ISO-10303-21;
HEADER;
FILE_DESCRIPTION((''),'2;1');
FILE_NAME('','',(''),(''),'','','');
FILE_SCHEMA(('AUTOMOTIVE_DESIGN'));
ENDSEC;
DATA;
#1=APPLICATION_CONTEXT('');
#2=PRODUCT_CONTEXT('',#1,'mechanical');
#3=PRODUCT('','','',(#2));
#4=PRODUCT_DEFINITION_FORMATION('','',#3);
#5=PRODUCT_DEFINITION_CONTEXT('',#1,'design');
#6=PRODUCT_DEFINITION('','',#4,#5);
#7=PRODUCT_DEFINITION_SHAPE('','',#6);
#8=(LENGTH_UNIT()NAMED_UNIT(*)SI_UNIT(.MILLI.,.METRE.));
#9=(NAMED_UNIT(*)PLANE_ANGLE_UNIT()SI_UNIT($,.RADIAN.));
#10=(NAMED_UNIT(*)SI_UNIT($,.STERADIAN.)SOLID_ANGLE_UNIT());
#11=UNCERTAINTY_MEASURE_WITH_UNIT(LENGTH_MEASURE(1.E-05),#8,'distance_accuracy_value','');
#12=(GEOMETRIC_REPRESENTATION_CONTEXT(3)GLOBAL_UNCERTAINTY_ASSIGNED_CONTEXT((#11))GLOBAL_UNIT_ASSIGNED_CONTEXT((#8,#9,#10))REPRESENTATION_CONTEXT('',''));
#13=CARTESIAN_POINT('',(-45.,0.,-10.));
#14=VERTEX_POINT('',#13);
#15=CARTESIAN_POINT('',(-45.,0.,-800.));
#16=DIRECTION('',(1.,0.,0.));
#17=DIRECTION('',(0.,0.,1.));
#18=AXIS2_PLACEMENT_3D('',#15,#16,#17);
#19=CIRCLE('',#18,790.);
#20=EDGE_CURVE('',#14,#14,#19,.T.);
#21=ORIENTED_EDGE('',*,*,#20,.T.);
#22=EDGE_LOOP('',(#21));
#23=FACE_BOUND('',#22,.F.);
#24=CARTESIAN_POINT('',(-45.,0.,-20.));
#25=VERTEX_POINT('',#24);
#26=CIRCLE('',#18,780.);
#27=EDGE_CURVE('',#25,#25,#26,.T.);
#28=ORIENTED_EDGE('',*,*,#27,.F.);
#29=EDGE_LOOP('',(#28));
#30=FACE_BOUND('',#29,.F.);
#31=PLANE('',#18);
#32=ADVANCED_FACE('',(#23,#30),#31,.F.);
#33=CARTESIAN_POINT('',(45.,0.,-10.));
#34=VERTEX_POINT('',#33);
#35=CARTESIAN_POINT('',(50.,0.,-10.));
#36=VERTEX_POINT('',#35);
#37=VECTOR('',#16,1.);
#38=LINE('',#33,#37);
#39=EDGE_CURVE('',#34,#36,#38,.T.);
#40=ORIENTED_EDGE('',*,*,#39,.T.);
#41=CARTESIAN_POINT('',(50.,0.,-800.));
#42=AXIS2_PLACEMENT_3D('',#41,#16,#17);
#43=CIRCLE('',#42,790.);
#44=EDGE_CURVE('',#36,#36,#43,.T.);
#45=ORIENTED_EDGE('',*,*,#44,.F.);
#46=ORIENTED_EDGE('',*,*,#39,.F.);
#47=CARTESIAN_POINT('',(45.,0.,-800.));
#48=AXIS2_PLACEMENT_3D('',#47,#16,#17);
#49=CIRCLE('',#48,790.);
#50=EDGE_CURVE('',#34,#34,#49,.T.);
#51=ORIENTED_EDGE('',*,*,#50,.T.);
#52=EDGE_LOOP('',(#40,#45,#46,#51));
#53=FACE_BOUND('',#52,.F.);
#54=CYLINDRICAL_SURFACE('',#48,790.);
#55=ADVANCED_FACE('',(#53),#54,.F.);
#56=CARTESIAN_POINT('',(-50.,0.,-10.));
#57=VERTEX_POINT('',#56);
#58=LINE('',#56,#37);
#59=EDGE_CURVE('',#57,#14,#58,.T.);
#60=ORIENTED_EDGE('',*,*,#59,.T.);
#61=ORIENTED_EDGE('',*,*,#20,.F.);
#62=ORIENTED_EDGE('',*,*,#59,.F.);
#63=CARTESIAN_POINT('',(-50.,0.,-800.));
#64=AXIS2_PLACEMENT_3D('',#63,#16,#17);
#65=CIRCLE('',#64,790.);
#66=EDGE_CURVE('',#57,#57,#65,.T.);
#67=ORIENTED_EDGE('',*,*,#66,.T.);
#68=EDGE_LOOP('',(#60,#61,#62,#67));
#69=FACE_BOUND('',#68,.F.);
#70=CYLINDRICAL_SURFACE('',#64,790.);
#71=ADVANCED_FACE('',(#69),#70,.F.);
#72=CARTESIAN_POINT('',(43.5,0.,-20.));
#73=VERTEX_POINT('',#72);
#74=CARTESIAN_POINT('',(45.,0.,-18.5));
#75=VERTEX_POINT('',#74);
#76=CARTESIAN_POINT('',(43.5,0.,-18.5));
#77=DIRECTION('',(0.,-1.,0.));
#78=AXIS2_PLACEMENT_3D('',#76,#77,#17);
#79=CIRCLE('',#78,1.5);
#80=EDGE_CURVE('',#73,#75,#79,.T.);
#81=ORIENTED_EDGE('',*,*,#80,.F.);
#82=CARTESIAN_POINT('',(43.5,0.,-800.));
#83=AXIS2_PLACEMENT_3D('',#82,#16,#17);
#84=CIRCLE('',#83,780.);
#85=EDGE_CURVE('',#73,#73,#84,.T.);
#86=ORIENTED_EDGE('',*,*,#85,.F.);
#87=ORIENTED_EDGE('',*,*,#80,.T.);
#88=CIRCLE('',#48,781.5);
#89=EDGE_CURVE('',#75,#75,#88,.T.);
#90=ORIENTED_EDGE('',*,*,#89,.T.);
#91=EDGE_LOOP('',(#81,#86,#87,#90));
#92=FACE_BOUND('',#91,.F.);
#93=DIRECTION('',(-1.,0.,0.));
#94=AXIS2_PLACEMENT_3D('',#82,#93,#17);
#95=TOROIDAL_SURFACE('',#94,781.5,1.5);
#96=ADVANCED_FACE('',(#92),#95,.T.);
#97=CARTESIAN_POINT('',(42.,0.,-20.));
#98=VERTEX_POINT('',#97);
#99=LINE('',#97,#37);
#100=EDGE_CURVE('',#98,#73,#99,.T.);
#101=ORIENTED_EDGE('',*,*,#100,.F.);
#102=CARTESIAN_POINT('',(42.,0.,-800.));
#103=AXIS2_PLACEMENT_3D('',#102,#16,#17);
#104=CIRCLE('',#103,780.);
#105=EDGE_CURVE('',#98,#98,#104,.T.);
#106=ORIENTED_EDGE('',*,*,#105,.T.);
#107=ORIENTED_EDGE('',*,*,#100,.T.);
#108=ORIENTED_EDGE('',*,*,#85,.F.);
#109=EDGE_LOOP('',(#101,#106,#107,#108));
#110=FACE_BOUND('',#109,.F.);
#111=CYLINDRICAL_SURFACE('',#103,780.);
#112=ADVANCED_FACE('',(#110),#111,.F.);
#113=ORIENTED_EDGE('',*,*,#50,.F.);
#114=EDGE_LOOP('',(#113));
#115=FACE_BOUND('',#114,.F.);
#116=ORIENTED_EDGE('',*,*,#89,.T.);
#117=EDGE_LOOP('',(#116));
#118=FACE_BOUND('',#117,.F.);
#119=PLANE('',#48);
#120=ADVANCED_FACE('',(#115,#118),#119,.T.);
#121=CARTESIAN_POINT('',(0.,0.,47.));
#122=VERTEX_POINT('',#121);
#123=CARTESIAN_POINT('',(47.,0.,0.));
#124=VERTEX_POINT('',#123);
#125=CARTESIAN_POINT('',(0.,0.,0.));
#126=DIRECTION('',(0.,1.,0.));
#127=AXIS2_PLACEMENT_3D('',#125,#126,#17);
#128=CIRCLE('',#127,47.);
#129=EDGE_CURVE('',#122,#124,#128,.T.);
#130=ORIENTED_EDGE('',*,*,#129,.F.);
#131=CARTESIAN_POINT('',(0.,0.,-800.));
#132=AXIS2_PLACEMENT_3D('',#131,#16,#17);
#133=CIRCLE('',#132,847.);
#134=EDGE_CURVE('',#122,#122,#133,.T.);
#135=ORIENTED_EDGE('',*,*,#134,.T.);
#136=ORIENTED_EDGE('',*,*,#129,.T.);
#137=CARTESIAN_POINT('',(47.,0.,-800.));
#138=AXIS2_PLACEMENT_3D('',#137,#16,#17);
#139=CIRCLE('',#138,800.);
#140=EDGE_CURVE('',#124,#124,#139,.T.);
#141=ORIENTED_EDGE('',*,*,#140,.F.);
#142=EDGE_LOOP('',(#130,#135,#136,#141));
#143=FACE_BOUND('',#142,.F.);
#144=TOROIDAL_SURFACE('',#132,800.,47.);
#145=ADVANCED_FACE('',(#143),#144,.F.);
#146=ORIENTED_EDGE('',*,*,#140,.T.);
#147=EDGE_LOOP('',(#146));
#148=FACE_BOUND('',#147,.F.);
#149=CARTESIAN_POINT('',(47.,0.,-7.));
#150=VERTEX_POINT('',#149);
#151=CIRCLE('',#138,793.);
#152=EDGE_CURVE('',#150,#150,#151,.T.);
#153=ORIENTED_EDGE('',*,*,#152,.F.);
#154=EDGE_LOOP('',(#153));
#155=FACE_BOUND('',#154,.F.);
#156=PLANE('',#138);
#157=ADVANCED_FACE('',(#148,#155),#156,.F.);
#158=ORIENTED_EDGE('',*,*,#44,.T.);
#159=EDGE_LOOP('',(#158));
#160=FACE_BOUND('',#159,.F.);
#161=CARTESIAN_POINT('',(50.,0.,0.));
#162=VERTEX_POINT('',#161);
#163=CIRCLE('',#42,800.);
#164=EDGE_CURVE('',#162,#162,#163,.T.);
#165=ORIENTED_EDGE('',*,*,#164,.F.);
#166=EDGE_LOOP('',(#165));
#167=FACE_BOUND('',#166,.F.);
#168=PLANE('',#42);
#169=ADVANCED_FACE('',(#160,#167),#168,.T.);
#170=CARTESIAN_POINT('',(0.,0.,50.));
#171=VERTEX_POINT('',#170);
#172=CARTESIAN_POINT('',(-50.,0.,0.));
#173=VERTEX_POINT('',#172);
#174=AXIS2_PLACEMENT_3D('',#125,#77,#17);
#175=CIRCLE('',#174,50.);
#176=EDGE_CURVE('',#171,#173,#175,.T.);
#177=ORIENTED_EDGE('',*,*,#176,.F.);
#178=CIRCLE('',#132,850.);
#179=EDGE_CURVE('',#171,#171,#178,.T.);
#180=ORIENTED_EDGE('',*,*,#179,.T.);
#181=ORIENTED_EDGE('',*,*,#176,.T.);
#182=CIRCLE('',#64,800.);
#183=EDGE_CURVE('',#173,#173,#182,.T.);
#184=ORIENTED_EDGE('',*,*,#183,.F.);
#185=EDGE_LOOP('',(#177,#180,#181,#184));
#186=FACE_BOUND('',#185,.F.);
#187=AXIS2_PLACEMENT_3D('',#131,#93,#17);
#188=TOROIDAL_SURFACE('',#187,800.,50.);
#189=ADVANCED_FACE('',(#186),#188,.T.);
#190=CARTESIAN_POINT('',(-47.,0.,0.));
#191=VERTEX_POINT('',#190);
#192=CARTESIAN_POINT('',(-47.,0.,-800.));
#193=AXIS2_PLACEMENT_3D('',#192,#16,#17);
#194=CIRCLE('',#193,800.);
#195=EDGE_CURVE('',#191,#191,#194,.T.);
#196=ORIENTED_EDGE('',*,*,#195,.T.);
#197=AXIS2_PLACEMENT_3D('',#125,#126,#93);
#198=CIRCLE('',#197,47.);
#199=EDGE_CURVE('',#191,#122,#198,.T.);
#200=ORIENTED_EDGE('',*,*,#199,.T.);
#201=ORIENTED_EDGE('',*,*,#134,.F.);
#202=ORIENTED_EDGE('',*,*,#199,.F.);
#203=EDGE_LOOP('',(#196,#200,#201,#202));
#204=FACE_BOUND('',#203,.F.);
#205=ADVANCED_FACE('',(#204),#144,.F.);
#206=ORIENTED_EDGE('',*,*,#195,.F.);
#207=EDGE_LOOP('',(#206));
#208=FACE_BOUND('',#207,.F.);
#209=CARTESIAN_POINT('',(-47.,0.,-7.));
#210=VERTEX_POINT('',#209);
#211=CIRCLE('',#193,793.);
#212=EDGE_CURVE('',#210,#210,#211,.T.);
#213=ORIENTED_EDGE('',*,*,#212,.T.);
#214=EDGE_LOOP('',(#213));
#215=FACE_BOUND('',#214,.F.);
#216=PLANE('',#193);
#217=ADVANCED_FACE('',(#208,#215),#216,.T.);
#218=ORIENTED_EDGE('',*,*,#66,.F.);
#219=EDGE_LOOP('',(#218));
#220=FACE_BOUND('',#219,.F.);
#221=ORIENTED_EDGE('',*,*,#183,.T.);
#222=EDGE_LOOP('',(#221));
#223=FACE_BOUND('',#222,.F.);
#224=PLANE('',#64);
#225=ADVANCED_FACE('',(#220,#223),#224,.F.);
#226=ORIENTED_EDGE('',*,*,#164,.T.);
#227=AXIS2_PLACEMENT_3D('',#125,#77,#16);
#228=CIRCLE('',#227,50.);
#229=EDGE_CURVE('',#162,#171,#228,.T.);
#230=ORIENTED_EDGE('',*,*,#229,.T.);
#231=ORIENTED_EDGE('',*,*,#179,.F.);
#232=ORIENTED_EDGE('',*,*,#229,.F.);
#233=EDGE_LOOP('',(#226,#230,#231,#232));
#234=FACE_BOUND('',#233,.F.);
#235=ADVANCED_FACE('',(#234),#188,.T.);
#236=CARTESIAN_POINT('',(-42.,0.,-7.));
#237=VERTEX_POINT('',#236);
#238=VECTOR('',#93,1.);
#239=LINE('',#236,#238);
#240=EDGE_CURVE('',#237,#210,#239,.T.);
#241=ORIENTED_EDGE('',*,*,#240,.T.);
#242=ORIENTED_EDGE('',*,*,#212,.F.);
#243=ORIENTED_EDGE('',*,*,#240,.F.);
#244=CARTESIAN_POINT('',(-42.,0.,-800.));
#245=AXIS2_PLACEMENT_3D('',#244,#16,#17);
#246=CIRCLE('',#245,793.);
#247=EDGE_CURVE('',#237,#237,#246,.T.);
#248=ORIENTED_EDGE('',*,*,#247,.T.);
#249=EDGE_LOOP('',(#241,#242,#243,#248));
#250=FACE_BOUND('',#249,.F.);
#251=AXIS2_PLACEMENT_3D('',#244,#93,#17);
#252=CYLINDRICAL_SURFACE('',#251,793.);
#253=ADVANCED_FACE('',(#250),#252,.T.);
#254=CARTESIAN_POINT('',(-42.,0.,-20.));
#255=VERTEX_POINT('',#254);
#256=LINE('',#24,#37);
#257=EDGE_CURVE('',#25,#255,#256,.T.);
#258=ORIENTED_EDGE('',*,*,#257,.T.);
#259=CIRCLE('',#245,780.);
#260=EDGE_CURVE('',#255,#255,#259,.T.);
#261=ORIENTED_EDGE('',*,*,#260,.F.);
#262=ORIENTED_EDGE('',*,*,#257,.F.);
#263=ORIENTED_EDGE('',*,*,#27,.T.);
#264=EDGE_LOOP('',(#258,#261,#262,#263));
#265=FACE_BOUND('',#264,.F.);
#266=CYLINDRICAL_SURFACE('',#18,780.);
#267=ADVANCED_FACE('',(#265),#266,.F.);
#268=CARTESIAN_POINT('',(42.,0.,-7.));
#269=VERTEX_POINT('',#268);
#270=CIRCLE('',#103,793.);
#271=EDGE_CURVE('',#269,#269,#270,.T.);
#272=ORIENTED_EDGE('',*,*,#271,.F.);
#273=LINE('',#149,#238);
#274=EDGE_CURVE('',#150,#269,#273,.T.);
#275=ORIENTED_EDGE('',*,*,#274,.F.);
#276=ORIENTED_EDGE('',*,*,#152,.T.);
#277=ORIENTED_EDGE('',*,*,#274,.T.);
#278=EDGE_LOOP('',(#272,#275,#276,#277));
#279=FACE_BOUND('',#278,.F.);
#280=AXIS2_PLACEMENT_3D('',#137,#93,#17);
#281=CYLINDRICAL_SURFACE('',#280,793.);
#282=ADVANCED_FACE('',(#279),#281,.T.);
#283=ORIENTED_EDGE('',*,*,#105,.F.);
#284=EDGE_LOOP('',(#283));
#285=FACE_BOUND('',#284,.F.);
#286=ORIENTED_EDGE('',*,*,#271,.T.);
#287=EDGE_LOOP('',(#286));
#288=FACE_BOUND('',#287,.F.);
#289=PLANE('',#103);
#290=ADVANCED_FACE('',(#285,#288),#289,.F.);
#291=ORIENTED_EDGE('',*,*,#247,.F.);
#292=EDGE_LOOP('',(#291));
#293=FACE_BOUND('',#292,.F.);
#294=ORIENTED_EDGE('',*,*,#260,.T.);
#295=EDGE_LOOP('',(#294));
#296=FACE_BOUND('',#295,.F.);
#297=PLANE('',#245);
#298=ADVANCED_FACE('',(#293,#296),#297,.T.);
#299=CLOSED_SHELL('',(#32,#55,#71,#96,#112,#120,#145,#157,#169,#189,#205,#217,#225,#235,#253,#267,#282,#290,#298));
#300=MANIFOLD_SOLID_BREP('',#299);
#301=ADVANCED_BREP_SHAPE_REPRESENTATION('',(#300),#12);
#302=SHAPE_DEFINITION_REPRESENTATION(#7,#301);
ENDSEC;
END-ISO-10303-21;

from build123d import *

# Parameters (mm, degrees)
F4_R = 1.5


with BuildPart() as f3:
    # F0 (on Front) → F3 (revolve)
    with BuildSketch(Plane.XZ):
        with BuildLine():
            ThreePointArc((0, 50), (-35.3553390593, 35.3553390593), (-50, 0))
            Line((-50, 0), (-50, -10))
            Line((-50, -10), (-45, -10))
            Line((-45, -10), (-45, -20))
            Line((-45, -20), (-42, -20))
            Line((-42, -20), (-42, -7))
            Line((-42, -7), (-47, -7))
            Line((-47, -7), (-47, 0))
            ThreePointArc((-47, 0), (-33.2340187158, 33.2340187158), (0, 47))
            Line((0, 47), (0, 50))
        make_face()
        with BuildLine():
            ThreePointArc((50, 0), (35.3553390593, 35.3553390593), (0, 50))
            Line((0, 50), (0, 47))
            ThreePointArc((0, 47), (33.2340187158, 33.2340187158), (47, 0))
            Line((47, 0), (47, -7))
            Line((47, -7), (42, -7))
            Line((42, -7), (42, -20))
            Line((42, -20), (45, -20))
            Line((45, -20), (45, -10))
            Line((45, -10), (50, -10))
            Line((50, -10), (50, 0))
        make_face()
    revolve(axis=Axis((11.4029198885, 0, -800), (1, 0, 0)))

    # F4
    f4_edges = [f3.edges().sort_by_distance(p)[0] for p in [
        (45, 0, -1580),
    ]]
    fillet(f4_edges, radius=F4_R)


solid = f3.part
